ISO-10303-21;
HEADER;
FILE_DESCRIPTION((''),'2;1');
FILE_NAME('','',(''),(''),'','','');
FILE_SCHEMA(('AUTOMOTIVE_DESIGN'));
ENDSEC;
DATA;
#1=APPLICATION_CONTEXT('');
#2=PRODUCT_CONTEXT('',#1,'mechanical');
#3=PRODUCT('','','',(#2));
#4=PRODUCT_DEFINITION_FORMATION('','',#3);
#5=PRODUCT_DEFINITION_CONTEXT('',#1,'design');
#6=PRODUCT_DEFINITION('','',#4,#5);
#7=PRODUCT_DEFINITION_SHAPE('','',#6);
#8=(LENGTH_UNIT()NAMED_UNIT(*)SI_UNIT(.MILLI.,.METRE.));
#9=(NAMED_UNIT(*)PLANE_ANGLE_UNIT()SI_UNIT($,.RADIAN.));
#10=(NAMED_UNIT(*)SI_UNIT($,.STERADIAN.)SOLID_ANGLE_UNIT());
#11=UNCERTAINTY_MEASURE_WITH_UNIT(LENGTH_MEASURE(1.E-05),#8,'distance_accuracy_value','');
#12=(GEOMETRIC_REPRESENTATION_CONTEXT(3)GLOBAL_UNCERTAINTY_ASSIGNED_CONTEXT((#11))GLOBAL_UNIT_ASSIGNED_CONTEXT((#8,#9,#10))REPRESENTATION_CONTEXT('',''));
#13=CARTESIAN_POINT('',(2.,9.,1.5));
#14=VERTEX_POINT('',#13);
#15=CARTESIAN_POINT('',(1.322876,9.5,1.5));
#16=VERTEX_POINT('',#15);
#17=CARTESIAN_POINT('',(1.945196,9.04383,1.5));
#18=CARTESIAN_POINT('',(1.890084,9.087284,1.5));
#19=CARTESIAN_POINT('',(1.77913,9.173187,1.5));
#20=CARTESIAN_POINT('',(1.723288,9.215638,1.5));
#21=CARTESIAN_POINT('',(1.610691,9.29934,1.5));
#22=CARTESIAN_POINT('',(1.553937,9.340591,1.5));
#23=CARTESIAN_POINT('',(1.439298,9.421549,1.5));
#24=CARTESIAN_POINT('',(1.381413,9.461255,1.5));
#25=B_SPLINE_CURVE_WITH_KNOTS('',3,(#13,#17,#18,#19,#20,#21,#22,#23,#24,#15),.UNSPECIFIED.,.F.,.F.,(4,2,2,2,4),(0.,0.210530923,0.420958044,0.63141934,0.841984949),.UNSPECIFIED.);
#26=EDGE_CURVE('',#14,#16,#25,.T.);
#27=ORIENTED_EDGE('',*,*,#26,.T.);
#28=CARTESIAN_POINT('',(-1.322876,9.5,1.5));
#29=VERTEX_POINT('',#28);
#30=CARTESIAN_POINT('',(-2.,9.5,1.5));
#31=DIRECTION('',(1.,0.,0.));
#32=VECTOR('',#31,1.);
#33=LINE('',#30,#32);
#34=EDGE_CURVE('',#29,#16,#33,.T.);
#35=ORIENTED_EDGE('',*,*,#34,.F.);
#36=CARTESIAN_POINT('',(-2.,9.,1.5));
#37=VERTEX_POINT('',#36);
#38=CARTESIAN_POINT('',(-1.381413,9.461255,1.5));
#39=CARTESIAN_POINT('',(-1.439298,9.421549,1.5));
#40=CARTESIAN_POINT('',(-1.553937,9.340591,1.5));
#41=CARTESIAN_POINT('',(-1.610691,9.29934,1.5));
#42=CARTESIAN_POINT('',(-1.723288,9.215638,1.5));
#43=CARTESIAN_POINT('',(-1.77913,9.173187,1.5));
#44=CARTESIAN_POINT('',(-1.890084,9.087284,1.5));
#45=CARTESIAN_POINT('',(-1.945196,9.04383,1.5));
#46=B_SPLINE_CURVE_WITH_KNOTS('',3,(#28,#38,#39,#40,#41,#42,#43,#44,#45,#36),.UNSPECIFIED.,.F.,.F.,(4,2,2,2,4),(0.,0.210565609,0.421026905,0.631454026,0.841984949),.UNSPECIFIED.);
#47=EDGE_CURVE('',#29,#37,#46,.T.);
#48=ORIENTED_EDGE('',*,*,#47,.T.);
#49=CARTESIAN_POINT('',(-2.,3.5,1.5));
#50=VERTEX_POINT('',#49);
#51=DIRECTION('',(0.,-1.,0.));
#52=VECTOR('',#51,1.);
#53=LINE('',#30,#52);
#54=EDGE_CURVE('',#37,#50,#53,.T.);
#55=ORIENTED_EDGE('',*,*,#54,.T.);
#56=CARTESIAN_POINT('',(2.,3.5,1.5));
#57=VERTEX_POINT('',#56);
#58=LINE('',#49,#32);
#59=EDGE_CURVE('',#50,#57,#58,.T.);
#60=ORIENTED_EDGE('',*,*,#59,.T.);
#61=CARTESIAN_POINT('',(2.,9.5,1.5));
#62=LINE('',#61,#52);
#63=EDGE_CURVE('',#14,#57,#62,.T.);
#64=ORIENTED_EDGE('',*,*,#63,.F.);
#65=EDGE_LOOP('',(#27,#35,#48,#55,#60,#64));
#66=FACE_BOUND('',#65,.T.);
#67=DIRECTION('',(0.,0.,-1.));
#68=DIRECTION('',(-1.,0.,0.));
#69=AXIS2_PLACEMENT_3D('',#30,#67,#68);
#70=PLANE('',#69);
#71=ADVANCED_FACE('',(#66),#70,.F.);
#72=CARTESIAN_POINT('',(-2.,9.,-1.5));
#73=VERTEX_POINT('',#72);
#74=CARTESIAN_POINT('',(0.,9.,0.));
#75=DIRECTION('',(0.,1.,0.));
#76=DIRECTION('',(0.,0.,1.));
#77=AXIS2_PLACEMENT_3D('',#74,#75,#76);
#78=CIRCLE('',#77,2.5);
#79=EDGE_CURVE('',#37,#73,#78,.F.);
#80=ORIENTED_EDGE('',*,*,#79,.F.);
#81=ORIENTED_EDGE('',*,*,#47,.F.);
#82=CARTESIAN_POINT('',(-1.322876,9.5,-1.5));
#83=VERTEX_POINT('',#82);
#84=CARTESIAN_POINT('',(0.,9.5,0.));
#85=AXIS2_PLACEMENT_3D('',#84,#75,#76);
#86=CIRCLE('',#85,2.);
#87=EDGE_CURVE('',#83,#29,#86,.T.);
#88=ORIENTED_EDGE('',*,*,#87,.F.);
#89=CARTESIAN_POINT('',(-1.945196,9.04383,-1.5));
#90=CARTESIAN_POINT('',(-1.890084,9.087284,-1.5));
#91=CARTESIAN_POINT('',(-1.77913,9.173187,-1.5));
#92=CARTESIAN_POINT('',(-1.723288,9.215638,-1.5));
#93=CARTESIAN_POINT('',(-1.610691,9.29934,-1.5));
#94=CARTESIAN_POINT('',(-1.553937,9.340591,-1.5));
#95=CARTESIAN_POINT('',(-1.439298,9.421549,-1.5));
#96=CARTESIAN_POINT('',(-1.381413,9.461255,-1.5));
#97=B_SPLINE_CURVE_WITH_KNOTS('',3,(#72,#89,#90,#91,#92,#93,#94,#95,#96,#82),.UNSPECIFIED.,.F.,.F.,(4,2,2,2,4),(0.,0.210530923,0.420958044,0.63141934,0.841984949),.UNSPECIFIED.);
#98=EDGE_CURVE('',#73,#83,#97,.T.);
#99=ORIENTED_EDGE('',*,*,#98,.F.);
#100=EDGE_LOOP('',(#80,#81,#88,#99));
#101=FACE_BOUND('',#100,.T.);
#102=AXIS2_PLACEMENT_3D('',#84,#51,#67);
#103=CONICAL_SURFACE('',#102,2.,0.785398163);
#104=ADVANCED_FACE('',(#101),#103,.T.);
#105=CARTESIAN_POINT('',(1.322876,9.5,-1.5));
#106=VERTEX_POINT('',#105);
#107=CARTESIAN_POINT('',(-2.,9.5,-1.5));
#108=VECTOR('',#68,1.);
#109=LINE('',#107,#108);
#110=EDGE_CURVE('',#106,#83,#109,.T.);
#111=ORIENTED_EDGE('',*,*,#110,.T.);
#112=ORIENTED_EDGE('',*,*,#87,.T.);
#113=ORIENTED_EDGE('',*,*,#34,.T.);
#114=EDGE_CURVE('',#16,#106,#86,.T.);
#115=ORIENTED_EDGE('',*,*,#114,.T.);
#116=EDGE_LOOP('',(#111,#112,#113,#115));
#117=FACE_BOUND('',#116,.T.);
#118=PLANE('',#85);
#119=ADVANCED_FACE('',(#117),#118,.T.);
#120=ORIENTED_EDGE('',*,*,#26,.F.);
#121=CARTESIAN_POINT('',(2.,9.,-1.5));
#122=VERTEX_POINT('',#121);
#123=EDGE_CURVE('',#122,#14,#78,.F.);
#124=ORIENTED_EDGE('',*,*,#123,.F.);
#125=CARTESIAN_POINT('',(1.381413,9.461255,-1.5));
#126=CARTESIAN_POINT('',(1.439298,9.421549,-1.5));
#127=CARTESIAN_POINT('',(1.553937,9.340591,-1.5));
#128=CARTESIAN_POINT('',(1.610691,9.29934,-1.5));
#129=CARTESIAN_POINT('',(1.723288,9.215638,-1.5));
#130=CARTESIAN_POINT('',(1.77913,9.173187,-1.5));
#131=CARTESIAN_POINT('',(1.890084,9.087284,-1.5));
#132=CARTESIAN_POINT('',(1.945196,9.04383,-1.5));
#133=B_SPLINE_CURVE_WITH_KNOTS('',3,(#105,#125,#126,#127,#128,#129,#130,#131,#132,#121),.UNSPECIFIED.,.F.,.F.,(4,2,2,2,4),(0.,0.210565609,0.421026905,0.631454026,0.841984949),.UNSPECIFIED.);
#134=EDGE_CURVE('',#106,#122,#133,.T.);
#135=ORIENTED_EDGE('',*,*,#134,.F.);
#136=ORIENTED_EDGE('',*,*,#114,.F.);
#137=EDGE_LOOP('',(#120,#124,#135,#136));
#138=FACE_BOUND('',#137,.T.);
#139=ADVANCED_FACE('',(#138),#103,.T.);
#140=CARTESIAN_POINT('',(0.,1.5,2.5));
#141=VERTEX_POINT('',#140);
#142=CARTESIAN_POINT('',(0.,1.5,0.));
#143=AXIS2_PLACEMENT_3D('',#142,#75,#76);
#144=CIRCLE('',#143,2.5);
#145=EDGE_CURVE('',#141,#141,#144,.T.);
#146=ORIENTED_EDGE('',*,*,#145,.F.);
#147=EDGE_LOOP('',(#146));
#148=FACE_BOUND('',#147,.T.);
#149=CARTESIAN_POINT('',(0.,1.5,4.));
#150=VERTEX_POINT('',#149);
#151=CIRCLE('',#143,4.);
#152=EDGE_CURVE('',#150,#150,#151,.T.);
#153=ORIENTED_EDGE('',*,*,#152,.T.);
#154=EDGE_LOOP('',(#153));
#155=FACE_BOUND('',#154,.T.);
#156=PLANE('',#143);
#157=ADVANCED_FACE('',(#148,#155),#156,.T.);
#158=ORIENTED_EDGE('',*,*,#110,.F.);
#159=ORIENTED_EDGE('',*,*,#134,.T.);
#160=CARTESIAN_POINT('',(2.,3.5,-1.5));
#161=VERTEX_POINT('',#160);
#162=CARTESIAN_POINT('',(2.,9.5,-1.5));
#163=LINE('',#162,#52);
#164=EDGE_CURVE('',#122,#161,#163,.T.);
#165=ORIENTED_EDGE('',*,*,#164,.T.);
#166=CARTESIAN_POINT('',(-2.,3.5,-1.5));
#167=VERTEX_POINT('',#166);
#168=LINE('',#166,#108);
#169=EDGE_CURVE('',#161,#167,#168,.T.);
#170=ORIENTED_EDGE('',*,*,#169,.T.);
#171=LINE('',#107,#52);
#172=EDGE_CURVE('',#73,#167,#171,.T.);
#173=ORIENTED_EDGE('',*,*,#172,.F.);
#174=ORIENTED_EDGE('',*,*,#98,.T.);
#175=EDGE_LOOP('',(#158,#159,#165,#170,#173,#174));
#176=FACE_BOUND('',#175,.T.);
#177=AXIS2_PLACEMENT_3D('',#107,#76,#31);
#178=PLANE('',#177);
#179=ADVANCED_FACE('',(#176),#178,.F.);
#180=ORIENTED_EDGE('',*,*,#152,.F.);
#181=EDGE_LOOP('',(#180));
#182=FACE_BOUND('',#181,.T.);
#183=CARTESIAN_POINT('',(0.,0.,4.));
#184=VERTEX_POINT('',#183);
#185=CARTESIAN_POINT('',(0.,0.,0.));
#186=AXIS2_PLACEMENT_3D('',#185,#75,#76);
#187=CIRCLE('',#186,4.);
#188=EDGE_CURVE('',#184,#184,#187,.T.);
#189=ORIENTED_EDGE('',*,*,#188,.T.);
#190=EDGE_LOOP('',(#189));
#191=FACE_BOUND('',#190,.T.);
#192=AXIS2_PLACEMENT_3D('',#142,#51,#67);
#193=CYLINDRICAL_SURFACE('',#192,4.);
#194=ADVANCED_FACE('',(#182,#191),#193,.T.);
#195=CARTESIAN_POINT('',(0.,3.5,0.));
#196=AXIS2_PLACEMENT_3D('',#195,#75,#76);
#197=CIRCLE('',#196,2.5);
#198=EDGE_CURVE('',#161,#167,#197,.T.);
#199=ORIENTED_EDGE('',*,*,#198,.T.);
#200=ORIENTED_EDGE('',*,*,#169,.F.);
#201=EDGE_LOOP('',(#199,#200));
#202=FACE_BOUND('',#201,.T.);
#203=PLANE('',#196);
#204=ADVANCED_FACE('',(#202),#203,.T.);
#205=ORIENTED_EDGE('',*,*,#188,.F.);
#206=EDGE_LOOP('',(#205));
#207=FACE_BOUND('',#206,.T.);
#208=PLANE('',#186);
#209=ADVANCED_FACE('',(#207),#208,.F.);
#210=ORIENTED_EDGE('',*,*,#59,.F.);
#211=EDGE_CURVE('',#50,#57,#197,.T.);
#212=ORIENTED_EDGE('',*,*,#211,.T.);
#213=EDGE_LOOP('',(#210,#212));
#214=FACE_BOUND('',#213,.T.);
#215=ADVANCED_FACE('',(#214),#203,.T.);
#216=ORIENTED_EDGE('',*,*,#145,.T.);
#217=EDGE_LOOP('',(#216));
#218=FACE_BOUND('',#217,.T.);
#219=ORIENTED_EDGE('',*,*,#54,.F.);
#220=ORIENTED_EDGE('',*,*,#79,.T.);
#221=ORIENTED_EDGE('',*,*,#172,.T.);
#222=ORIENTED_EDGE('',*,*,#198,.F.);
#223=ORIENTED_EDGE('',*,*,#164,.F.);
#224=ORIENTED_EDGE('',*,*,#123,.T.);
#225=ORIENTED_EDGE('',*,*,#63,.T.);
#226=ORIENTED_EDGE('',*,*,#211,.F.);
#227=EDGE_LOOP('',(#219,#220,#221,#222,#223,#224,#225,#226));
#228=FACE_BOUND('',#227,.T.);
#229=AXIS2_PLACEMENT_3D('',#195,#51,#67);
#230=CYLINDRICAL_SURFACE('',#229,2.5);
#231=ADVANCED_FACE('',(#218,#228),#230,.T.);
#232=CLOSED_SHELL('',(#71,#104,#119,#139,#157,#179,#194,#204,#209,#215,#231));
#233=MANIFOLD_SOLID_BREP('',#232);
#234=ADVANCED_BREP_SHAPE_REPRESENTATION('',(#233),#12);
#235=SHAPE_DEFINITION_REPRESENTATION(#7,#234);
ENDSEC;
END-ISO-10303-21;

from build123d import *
from build123d.topology import SkipClean

# Parameters (mm, degrees)
SKETCH_1_R      = 4
EXTRUDE_1_DEPTH = 1.5
SKETCH_3_R      = 2.5
EXTRUDE_3_DEPTH = 2
EXTRUDE_2_DEPTH = 6
CHAMFER_1_SIZE  = 0.5


with BuildPart() as part:
    # 草图1 → 凸台-拉伸1 (new body)
    with BuildSketch(Plane(origin=(0, 0, 0), x_dir=(1, 0, 0), z_dir=(0, 1, 0))):
        with Locations(Location((0, 0, 0), (0, 0, 270))):
            Circle(SKETCH_1_R)
    extrude(amount=EXTRUDE_1_DEPTH)

    # 草图3 → 凸台-拉伸3 (add)
    with BuildSketch(Plane(origin=(0, 1.5, 0), x_dir=(1, 0, 0), z_dir=(0, 1, 0))):
        with Locations(Location((0, 0, 0), (0, 0, 270))):
            Circle(SKETCH_3_R)
    extrude(amount=EXTRUDE_3_DEPTH)

    # 草图2 → 凸台-拉伸2 (add)
    with SkipClean():  # the faces are left unmerged after this step: merging them gives an invalid solid
        with BuildSketch(Plane(origin=(0, 3.5, 0), x_dir=(1, 0, 0), z_dir=(0, 1, 0))):
            with BuildLine():
                Line((-2, 1.5), (2, 1.5))
                ThreePointArc((2, 1.5), (2.5, 0), (2, -1.5))
                Line((2, -1.5), (-2, -1.5))
                ThreePointArc((-2, -1.5), (-2.5, 0), (-2, 1.5))
            make_face()
        extrude(amount=EXTRUDE_2_DEPTH)

    # 倒角1
    chamfer_1_edges = [part.edges().sort_by_distance(p)[0] for p in [
        (-2.5, 9.5, 0),
        (2.5, 9.5, 0),
    ]]
    chamfer(chamfer_1_edges, length=CHAMFER_1_SIZE)


solid = part.part
